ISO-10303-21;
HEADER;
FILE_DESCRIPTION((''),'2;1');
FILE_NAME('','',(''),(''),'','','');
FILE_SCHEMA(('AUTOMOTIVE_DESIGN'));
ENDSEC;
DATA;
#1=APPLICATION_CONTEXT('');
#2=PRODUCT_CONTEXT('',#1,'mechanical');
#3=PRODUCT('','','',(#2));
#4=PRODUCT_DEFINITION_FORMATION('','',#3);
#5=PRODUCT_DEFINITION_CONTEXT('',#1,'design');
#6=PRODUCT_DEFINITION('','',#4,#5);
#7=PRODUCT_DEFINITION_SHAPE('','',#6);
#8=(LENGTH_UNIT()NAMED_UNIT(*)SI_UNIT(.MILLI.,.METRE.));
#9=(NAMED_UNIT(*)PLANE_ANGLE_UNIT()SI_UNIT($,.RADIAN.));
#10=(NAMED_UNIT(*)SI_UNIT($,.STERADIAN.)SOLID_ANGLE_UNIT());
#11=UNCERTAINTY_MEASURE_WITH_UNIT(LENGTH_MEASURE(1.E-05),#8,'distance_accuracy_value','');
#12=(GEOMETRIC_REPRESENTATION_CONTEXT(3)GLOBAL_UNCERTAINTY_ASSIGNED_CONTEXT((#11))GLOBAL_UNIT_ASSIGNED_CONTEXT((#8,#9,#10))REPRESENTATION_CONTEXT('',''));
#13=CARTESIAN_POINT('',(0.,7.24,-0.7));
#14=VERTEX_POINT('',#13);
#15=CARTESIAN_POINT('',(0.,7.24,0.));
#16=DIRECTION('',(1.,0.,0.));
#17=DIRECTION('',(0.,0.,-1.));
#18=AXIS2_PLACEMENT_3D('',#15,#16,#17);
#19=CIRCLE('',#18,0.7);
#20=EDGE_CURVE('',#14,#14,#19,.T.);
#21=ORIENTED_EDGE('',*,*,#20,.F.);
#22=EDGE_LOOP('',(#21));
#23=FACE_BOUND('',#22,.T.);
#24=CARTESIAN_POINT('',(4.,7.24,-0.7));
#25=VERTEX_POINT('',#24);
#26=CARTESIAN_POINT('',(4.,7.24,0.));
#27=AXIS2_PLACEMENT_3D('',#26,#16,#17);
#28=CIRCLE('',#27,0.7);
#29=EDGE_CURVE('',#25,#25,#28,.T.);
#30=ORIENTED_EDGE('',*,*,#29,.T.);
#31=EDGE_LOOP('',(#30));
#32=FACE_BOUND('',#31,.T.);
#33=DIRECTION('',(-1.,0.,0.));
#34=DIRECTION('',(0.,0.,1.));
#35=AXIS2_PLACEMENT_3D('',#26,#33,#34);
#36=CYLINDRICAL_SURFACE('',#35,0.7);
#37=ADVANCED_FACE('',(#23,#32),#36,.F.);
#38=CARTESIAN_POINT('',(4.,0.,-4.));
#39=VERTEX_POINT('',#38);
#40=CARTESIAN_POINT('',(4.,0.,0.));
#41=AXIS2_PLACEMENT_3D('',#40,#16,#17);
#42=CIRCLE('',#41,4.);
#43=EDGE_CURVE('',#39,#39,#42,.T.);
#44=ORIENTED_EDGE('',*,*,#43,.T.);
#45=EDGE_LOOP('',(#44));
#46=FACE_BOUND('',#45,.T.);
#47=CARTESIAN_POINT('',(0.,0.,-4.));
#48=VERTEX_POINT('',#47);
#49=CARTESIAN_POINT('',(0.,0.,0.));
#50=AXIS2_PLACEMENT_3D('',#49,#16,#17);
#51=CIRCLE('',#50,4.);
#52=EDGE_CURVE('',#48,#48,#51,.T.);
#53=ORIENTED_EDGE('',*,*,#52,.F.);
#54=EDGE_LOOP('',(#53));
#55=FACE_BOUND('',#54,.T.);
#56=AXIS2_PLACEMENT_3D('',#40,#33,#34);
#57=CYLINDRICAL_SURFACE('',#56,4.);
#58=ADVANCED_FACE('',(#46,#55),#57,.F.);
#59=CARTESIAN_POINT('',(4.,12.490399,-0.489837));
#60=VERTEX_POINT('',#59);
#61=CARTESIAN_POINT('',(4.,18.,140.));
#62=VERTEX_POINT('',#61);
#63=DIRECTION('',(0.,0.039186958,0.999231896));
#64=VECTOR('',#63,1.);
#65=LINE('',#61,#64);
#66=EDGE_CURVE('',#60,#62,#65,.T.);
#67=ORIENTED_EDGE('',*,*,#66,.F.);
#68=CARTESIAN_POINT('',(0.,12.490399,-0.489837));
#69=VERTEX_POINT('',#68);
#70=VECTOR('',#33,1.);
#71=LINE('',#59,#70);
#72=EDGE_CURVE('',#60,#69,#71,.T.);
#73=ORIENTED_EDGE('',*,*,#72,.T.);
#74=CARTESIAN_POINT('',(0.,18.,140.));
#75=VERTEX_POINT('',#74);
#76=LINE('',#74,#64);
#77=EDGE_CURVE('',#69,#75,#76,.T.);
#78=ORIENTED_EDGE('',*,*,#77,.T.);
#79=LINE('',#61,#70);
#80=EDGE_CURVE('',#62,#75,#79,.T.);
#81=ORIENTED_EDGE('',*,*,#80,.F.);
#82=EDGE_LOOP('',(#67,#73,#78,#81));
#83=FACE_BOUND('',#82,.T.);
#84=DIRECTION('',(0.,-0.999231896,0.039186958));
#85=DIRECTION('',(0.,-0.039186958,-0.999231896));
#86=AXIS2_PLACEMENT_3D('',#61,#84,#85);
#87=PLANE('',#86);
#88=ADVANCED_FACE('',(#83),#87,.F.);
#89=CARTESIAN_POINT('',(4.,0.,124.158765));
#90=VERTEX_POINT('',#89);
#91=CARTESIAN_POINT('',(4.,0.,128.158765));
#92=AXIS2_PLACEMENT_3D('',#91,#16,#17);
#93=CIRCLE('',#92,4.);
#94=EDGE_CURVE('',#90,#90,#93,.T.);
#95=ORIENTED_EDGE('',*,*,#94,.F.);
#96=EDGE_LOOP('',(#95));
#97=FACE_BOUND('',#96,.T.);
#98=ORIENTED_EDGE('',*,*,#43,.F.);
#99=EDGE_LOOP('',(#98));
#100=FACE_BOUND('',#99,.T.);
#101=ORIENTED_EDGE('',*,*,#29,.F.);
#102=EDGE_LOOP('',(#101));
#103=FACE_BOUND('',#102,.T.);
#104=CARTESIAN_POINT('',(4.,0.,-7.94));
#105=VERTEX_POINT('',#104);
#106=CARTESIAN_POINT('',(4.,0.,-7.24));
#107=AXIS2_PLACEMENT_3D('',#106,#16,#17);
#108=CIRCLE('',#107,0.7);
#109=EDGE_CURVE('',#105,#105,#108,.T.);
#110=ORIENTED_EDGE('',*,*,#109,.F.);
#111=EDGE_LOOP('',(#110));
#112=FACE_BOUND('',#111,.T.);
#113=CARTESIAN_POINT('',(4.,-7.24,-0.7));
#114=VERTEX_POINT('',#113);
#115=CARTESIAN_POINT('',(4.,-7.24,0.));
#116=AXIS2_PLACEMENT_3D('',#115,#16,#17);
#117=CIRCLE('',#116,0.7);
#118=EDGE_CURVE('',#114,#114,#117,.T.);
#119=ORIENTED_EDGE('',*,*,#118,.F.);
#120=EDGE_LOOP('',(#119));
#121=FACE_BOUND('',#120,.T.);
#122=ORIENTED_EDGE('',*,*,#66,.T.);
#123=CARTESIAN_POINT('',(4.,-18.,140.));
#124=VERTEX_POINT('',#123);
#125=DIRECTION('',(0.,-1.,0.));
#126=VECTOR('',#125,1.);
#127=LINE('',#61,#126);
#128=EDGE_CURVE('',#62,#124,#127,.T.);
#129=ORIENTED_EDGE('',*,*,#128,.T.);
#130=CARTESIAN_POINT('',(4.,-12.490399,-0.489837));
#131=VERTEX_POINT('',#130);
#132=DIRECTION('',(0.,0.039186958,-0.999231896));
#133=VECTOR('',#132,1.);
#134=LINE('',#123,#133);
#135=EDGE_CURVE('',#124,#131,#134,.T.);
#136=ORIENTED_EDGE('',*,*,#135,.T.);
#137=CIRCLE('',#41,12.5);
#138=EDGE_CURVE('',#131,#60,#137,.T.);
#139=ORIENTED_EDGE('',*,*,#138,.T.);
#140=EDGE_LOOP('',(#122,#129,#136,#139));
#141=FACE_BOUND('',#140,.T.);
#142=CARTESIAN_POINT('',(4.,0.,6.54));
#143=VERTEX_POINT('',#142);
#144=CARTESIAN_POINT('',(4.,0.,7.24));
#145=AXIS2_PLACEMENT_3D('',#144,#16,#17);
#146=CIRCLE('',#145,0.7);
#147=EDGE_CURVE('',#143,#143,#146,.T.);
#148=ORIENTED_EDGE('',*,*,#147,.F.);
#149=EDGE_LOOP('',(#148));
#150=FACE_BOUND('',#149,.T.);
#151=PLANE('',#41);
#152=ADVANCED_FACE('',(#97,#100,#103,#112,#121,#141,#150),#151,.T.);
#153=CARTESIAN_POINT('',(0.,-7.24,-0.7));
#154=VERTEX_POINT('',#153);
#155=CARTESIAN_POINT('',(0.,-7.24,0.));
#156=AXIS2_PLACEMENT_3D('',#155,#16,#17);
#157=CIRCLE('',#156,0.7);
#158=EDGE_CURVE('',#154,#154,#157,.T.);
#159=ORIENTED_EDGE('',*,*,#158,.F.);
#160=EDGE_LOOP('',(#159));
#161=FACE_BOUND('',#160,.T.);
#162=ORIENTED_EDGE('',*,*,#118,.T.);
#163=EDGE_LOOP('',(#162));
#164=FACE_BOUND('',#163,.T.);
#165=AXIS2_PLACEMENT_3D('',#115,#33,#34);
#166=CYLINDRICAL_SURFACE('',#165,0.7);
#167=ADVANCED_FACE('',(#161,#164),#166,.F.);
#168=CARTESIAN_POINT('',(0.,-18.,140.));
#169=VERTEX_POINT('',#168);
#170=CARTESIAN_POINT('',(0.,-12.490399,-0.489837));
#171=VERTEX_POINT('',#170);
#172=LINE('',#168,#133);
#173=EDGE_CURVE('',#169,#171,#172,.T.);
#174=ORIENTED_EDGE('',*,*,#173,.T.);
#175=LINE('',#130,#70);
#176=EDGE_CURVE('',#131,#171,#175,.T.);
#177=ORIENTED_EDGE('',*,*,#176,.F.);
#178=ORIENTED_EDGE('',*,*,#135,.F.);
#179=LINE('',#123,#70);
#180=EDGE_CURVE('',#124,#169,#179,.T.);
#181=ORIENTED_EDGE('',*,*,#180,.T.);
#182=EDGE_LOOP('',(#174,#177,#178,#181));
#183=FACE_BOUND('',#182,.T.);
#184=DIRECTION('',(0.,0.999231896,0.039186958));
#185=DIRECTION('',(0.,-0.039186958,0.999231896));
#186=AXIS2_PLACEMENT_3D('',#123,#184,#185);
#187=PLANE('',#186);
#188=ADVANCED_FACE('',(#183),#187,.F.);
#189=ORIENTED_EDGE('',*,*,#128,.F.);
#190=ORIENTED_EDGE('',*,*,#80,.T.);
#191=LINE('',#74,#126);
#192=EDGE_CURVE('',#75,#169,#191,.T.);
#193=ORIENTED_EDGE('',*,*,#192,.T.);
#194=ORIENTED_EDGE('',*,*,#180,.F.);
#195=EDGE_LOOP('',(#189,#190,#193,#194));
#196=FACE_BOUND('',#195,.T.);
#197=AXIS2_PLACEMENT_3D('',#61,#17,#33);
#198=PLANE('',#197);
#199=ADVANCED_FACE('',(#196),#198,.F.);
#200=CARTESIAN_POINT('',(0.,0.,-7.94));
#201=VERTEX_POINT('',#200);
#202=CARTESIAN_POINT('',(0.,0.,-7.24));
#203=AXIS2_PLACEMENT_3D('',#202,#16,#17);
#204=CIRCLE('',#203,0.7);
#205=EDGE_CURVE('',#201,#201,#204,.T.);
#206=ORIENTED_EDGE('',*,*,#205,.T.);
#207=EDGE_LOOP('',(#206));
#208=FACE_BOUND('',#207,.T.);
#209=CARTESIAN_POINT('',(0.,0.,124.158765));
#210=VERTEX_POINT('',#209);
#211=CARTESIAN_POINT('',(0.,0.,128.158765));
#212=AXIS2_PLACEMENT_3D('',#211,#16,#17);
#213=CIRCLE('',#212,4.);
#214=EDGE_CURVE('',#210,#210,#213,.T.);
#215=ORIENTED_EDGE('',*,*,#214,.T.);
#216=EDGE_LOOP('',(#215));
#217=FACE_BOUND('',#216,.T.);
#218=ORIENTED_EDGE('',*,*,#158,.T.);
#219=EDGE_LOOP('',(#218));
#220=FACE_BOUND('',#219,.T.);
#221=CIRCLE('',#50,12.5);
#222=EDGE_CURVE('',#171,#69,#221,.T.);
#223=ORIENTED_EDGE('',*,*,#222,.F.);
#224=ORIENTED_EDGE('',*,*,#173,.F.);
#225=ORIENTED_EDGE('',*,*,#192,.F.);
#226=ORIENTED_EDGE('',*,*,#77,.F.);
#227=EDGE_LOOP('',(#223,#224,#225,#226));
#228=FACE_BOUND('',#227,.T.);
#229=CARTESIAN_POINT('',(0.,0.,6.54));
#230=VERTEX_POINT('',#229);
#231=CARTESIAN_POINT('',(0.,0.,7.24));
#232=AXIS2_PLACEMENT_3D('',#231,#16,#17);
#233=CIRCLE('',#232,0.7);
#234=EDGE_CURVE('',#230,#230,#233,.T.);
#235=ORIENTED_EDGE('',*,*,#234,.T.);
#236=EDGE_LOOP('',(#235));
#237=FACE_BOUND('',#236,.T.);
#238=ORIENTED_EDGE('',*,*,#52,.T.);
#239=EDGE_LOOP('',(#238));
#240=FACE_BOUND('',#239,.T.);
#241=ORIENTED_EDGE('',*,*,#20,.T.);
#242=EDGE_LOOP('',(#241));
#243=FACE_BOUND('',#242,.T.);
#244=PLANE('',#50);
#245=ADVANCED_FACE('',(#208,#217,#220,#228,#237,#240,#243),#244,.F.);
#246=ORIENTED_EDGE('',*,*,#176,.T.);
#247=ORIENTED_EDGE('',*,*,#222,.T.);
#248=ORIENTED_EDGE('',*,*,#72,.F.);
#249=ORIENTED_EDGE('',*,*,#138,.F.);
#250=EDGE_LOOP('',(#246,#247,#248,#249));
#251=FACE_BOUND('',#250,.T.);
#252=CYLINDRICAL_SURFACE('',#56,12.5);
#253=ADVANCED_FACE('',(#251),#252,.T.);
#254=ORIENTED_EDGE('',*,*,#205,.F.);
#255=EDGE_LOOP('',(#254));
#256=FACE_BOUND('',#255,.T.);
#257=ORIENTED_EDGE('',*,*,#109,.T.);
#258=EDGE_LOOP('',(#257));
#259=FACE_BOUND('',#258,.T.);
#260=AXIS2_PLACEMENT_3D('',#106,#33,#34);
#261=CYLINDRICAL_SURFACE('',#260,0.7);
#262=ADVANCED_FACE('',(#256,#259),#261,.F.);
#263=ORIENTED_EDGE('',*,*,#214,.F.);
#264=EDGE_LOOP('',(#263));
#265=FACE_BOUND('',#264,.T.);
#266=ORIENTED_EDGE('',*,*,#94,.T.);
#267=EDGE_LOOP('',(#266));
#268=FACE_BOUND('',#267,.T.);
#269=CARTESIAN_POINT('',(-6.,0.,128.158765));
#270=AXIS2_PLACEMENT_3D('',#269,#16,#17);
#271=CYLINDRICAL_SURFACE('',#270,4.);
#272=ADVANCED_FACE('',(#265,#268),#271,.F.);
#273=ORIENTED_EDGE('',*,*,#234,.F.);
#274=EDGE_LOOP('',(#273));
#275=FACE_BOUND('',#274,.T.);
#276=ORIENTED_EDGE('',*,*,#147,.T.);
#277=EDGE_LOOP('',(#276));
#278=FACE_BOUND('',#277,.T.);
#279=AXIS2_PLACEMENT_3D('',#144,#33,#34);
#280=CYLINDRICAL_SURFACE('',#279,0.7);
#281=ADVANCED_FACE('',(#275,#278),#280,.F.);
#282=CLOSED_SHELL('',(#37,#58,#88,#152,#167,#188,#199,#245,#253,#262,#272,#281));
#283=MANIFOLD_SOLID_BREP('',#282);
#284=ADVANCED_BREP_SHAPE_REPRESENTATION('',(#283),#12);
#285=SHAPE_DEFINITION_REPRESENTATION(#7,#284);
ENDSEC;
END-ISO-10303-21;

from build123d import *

# Parameters (mm, degrees)
SKETCH1_R           = 4
SKETCH1_R_2         = 0.7
BOSS_EXTRUDE1_DEPTH = 4
SKETCH2_R           = 4
CUT_EXTRUDE1_DEPTH  = 10


with BuildPart() as part:
    # Sketch1 → Boss-Extrude1 (new body)
    with BuildSketch(Plane(origin=(0, 0, 0), x_dir=(0, 0, -1), z_dir=(1, 0, 0))):
        with BuildLine():
            Line((-140, 18), (-140, -18))
            Line((-140, -18), (0.489836976, -12.490398702))
            ThreePointArc((0.489836976, -12.490398702), (12.5, 0), (0.489836976, 12.490398702))
            Line((0.489836976, 12.490398702), (-140, 18))
        make_face()
        Circle(SKETCH1_R, mode=Mode.SUBTRACT)
        with Locations((-7.24, 0)):
            Circle(SKETCH1_R_2, mode=Mode.SUBTRACT)
        with Locations((0, 7.24)):
            Circle(SKETCH1_R_2, mode=Mode.SUBTRACT)
        with Locations((7.24, 0)):
            Circle(SKETCH1_R_2, mode=Mode.SUBTRACT)
        with Locations((0, -7.24)):
            Circle(SKETCH1_R_2, mode=Mode.SUBTRACT)
    extrude(amount=BOSS_EXTRUDE1_DEPTH)

    # Sketch2 → Cut-Extrude1 (cut)
    with BuildSketch(Plane(origin=(4, 0, 0), x_dir=(0, 0, -1), z_dir=(1, 0, 0))):
        with Locations((-128.15876547, 0)):
            Circle(SKETCH2_R)
    extrude(amount=-CUT_EXTRUDE1_DEPTH, mode=Mode.SUBTRACT)


solid = part.part
